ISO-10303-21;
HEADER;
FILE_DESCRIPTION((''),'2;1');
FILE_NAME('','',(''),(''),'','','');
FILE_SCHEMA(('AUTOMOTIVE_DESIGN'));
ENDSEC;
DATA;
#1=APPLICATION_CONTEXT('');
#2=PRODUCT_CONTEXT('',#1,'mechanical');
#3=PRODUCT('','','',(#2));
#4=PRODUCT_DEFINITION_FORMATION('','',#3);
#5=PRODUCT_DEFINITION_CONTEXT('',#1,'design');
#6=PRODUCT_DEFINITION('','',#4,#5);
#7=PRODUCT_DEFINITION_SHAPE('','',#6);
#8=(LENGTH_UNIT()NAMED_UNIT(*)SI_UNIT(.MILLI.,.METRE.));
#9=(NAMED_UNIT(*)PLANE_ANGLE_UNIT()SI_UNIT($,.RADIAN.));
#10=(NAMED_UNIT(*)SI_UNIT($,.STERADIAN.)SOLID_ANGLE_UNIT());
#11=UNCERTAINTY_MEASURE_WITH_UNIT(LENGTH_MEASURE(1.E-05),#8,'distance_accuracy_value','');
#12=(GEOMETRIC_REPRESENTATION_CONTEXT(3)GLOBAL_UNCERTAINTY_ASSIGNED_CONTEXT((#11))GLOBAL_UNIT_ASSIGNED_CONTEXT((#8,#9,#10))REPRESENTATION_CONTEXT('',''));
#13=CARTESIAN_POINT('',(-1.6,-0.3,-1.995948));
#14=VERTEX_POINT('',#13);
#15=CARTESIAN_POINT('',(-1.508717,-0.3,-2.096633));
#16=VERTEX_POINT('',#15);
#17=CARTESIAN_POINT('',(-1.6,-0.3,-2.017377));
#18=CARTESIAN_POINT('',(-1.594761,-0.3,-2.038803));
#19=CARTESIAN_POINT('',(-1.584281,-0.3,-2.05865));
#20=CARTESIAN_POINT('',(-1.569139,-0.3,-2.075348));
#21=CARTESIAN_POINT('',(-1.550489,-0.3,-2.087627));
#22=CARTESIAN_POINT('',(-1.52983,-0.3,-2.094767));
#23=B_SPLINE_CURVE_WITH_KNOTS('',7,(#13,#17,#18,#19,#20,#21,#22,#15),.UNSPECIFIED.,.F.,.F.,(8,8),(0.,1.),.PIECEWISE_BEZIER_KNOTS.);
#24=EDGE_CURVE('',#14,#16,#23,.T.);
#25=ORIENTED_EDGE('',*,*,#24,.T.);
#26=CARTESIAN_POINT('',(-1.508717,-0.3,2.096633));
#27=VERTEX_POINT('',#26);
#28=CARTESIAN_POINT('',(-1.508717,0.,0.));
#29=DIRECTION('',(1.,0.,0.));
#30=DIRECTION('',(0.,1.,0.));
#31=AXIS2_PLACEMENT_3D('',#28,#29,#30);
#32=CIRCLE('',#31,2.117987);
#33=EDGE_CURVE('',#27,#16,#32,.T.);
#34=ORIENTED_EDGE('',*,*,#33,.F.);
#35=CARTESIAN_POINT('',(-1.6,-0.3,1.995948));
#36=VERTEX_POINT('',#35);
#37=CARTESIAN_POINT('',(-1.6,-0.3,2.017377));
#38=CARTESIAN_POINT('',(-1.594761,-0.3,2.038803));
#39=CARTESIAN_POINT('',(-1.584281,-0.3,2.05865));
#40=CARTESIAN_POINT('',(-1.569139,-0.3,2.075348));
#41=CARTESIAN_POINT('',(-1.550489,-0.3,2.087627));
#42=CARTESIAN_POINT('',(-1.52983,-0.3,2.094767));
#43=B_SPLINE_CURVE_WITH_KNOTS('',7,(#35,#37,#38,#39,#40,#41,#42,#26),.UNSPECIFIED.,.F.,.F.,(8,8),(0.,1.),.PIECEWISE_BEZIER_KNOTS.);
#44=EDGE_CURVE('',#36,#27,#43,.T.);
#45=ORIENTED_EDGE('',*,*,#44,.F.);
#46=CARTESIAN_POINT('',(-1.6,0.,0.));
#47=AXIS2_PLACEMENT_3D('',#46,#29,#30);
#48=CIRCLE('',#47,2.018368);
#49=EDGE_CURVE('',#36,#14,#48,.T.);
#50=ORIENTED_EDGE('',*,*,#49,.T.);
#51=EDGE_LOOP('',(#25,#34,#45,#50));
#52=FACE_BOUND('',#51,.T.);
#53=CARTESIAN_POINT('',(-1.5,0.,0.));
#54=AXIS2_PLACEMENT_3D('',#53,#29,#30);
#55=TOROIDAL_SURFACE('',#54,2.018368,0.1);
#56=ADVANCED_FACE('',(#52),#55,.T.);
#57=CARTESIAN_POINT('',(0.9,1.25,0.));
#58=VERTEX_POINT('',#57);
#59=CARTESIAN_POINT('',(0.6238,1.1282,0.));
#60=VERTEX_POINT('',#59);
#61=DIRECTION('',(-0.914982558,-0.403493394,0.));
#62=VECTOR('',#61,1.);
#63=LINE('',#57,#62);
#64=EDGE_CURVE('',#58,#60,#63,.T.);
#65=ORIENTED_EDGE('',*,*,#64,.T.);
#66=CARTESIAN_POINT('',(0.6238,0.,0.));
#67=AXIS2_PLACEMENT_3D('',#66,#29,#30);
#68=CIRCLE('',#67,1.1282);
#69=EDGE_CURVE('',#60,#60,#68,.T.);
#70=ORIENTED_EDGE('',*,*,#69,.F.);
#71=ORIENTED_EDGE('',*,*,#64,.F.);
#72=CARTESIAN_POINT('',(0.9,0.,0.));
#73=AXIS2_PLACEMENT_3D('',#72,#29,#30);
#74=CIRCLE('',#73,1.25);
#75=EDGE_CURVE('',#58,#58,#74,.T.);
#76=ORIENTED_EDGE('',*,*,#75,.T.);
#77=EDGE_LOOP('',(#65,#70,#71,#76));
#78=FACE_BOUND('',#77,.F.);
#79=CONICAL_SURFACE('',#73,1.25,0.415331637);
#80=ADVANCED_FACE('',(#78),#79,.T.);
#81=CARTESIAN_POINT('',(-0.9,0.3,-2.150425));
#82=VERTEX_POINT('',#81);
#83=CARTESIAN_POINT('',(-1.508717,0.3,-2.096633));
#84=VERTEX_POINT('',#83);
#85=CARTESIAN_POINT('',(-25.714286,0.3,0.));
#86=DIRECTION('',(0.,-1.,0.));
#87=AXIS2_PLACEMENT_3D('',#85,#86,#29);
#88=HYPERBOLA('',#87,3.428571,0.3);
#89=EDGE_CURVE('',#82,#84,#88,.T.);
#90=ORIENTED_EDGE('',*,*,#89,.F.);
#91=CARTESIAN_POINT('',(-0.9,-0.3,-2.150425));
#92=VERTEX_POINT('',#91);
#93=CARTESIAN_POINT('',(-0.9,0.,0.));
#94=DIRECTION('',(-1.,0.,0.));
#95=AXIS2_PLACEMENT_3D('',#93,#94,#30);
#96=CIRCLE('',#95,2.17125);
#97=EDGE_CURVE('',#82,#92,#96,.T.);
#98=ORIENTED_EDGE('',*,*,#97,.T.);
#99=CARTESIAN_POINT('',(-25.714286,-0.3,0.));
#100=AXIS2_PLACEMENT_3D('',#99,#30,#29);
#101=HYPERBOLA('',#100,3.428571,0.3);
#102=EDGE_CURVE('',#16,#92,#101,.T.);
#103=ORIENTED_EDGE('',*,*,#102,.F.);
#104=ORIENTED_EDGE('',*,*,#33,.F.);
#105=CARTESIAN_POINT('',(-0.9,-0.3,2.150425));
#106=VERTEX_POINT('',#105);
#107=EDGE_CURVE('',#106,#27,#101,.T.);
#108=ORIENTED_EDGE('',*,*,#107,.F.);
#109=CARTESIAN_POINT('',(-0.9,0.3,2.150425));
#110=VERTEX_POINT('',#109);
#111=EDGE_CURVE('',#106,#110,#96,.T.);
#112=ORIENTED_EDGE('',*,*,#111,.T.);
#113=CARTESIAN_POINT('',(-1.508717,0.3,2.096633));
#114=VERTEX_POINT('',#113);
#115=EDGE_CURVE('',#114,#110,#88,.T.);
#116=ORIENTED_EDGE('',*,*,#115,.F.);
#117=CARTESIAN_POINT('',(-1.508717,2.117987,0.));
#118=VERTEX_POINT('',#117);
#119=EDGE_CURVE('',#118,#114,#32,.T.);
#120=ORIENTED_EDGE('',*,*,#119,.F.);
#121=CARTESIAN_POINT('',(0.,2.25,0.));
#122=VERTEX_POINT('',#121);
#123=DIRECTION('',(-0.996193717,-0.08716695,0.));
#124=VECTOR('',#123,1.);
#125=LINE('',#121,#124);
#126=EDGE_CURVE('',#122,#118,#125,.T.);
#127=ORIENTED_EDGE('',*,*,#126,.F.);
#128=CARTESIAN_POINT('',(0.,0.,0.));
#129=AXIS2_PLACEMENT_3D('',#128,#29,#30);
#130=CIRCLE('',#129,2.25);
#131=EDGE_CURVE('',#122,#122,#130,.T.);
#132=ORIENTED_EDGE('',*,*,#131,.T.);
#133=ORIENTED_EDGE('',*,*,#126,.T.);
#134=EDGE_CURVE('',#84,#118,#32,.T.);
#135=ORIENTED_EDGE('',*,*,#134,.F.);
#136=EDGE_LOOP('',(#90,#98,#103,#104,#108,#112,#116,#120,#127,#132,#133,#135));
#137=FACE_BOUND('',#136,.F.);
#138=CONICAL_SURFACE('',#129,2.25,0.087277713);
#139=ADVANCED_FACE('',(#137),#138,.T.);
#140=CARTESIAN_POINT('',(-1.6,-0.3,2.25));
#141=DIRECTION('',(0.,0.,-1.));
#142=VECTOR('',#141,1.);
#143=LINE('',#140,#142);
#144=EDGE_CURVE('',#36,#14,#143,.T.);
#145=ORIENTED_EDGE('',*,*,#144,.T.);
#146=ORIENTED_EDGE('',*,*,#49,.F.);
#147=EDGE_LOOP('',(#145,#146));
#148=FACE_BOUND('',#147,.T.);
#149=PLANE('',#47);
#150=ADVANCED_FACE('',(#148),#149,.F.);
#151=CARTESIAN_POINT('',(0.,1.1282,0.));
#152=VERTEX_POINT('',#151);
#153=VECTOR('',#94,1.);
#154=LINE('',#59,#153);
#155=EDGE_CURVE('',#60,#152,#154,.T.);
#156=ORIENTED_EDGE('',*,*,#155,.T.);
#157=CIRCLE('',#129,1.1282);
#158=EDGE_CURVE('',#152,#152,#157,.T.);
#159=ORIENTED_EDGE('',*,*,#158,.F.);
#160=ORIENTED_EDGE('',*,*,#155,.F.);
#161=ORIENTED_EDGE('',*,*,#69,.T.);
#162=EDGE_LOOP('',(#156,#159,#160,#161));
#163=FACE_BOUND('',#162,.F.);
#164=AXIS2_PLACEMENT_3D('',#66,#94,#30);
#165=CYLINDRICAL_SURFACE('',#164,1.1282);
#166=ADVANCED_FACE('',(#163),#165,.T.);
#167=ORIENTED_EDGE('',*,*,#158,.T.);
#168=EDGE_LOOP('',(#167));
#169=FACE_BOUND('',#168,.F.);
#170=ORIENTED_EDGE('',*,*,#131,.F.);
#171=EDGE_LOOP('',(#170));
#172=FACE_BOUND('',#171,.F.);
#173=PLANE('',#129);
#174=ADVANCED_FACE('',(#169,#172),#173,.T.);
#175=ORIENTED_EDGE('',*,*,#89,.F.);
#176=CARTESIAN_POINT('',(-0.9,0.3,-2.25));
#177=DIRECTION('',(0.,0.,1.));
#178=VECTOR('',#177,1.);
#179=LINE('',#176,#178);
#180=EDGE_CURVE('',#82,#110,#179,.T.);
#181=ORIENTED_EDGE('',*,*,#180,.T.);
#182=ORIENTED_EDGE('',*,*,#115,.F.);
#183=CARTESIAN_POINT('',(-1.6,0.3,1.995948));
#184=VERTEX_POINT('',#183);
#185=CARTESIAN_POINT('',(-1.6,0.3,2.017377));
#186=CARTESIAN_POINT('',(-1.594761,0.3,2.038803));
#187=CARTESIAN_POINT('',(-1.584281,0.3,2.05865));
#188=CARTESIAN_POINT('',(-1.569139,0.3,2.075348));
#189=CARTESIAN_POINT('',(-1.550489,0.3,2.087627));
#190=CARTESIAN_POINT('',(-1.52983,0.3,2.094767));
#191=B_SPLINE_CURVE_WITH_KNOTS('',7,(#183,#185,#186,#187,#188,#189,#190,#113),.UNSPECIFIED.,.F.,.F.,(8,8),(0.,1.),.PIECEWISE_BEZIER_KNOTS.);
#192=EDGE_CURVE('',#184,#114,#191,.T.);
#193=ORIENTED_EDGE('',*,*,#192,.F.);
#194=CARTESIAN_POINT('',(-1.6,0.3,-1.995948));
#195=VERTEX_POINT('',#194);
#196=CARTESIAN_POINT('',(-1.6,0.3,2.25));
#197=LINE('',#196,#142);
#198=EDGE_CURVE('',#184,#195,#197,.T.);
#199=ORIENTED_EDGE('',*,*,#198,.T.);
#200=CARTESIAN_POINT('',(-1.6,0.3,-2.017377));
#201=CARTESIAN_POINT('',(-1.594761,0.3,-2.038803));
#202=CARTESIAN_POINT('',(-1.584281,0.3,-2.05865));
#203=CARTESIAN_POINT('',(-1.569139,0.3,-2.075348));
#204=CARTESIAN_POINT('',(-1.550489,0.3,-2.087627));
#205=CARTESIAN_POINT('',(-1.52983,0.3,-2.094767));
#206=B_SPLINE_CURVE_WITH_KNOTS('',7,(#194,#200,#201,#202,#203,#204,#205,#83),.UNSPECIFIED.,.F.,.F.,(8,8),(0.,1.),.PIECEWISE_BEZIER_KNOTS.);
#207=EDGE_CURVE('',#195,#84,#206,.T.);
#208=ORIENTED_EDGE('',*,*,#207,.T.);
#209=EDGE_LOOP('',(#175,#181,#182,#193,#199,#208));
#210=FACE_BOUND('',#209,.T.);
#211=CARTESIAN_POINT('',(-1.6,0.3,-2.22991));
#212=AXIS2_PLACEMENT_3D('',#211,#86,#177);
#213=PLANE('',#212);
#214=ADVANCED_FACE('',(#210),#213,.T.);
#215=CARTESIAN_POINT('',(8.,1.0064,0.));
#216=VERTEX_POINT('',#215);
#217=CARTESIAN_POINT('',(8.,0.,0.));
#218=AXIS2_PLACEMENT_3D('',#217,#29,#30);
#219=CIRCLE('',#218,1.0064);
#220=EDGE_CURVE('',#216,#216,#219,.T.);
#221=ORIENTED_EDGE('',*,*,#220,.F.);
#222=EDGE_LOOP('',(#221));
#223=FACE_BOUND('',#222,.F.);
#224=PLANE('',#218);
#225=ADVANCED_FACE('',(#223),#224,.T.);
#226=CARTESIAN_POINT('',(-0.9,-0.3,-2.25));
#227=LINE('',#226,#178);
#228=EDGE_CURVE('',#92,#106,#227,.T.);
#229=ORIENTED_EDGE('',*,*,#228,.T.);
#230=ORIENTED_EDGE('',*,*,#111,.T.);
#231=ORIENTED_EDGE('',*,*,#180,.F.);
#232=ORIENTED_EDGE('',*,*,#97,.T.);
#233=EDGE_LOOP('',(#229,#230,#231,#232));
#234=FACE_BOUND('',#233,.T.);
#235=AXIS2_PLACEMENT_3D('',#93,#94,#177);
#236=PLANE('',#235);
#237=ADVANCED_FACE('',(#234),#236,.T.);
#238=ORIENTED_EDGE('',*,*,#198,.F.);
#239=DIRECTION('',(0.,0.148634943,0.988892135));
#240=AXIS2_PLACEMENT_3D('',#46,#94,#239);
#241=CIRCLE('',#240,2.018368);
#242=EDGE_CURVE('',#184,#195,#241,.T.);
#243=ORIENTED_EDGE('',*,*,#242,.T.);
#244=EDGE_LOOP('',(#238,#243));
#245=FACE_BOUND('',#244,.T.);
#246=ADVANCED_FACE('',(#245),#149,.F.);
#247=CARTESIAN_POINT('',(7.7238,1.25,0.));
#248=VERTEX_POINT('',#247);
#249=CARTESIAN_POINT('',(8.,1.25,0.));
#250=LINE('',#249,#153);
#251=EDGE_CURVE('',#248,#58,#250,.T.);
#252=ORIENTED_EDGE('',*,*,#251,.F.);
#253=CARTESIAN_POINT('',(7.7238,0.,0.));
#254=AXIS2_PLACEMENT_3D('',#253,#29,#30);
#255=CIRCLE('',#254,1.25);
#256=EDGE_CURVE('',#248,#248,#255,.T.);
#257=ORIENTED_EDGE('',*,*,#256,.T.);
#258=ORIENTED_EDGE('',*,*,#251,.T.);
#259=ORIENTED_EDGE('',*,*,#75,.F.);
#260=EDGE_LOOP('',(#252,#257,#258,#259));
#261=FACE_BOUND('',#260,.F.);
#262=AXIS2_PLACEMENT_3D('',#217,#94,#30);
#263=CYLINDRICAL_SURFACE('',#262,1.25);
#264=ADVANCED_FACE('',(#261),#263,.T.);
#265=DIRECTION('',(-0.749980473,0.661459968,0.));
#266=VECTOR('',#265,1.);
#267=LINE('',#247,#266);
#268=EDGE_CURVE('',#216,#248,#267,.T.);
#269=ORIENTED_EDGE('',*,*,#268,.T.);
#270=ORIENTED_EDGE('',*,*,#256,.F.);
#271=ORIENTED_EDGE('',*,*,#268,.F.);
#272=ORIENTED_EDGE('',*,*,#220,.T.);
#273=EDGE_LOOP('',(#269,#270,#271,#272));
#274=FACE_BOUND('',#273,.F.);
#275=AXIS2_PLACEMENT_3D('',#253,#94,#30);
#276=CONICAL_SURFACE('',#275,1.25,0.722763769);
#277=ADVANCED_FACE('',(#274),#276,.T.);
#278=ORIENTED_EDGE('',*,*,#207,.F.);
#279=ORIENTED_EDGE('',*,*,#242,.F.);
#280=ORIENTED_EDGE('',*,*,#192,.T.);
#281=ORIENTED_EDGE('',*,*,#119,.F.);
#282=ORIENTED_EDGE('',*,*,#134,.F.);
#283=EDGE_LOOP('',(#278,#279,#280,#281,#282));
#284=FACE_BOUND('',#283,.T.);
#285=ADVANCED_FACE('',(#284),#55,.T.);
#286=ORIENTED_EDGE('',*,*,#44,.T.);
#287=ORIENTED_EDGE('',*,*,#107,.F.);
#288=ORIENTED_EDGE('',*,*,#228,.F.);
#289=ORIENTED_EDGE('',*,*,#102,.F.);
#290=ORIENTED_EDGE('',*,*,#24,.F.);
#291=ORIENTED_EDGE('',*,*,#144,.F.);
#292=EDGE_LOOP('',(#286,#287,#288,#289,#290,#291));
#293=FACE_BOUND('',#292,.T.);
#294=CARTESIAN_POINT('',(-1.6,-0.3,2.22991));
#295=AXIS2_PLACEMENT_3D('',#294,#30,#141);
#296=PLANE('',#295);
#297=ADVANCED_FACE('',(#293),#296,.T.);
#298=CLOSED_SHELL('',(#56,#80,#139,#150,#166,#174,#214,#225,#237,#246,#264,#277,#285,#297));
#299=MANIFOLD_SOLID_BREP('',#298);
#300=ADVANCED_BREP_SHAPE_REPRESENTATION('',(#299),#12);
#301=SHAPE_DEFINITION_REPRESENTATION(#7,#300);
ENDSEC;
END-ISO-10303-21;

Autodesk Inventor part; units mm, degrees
ref_plane "YZ Plane" through (0, 0, 0) normal (1, 0, 0) x (0, 1, 0)
ref_plane "XZ Plane" through (0, 0, 0) normal (0, 1, 0) x (-1, 0, 0)
sketch "Sketch1" plane through (0, 0, 0) normal (0, 0, 1) x (1, 0, 0)
  line L0 (-1.6, 0) -> (8, 0)
  line L1 (8, 0) -> (8, 1.25)
  line L2 (8, 1.25) -> (0.9, 1.25)
  line L3 (0.9, 1.25) -> (0.6238, 1.1282)
  line L4 (0.6238, 1.1282) -> (0, 1.1282)
  line L5 (0, 1.1282) -> (0, 2.25)
  line L6 (-3.52, 0) -> (9.92, 0) projected
  line L7 (0, -0.45) -> (0, 2.7) projected
  line L8 (-1.6, 0) -> (-1.6, 2.11)
  line L9 (0, 2.25) -> (-1.6, 2.11)
  line L10 (0.9, 1.25) -> (0, 1.25) construction
  dimension "d0" = 8
  dimension "d1" = 7.1
  dimension "d2" = 0.2762
  dimension "d3" = 1.6
  dimension "d4" = 2.5
  dimension "d5" = 2.2564
  dimension "d9" = 4.5
  dimension "d10" = 5
revolve "Body" add sketch "Sketch1" angle 360 about axis through (-1.6, 0, 0) along (1, 0, 0)
sketch "Sketch2" plane through (-1.6, 0, 0) normal (-1, 0, 0) x (0, 0, 1)
  circle A0 centre (0, 0) radius 2.25 projected
  line L0 (0, 0) -> (0, 2.11) projected
  line L1 (-2.25, 0.3) -> (2.25, 0.3)
  line L2 (2.25, 0.3) -> (2.25, -0.3)
  line L3 (2.25, -0.3) -> (-2.25, -0.3)
  line L4 (-2.25, -0.3) -> (-2.25, 0.3)
  line L5 (-2.25, 0) -> (2.25, 0) construction
  line L6 (0, 0.3) -> (0, -0.3) construction
  dimension "d11" = 0.6
  dimension "d12" = 4.5
fillet "Fillet1" radius 0.1 1 edges at (-1.6, -2.11, 0)
extrude "Slot" cut sketch "Sketch2" against normal blind 0.7 contours A0 L3 L1 | L2 L3 A0 | A0 L1 L2 | A0 L4 L1 | L3 L4 A0
thread "Thread" size "M2.5x0.45" class "6g" standard "ISO Metric profile" length 7.1
chamfer "Chamfer1" distance 0.2436 distance2 0.2762 1 edges at (8, -1.25, 0) measured on face at (8, 0.1139, 0.3003)
ref_plane "Work Plane1" through (30.1625, 0, 0) normal (0, 0, -1) x (1, 0, 0)
equation "\"d11\" = SBR"
equation "\"d12\" = KOD"
equation "\"d14\" = RR"
equation "\"d19\" = STI"
equation "\"d15\" = GEL"
equation "\"d17\" = -0.5 * SPD + 0.5 * GD"
equation "\"d0\" = NLG"
equation "\"d1\" = GEL"
equation "\"d3\" = KOH"
equation "\"d4\" = GD"
equation "\"d5\" = BDM"
equation "\"d9\" = KOD"
equation "\"d10\" = KEWI"
equation "\"GD\" = 2.5"
equation "\"NLG\" = 8"
equation "\"GEL\" = 7.1"
equation "\"KOD\" = 4.5"
equation "\"KOH\" = 1.6"
equation "\"GAL\" = 0.61345 * PTC"
equation "\"SPD\" = 2.01286"
equation "\"BDM\" = 2.25643"
equation "\"GUL\" = 0.61345 * PTC"
equation "\"RR\" = 0.1"
equation "\"SBR\" = 0.6"
equation "\"STI\" = 0.7"
equation "\"KEWI\" = 5deg"
equation "\"PTC\" = 0.45"
equation "\"THREADDIA\" = 2.5"
equation "\"TOA\" = 30deg"
equation "\"NND\" = 2.5"
equation "\"GD1\" = THREADDIA - 1.2269 * PTC"
properties part number "DIN 84 - M2.5 x 8" material "Steel, Mild"
